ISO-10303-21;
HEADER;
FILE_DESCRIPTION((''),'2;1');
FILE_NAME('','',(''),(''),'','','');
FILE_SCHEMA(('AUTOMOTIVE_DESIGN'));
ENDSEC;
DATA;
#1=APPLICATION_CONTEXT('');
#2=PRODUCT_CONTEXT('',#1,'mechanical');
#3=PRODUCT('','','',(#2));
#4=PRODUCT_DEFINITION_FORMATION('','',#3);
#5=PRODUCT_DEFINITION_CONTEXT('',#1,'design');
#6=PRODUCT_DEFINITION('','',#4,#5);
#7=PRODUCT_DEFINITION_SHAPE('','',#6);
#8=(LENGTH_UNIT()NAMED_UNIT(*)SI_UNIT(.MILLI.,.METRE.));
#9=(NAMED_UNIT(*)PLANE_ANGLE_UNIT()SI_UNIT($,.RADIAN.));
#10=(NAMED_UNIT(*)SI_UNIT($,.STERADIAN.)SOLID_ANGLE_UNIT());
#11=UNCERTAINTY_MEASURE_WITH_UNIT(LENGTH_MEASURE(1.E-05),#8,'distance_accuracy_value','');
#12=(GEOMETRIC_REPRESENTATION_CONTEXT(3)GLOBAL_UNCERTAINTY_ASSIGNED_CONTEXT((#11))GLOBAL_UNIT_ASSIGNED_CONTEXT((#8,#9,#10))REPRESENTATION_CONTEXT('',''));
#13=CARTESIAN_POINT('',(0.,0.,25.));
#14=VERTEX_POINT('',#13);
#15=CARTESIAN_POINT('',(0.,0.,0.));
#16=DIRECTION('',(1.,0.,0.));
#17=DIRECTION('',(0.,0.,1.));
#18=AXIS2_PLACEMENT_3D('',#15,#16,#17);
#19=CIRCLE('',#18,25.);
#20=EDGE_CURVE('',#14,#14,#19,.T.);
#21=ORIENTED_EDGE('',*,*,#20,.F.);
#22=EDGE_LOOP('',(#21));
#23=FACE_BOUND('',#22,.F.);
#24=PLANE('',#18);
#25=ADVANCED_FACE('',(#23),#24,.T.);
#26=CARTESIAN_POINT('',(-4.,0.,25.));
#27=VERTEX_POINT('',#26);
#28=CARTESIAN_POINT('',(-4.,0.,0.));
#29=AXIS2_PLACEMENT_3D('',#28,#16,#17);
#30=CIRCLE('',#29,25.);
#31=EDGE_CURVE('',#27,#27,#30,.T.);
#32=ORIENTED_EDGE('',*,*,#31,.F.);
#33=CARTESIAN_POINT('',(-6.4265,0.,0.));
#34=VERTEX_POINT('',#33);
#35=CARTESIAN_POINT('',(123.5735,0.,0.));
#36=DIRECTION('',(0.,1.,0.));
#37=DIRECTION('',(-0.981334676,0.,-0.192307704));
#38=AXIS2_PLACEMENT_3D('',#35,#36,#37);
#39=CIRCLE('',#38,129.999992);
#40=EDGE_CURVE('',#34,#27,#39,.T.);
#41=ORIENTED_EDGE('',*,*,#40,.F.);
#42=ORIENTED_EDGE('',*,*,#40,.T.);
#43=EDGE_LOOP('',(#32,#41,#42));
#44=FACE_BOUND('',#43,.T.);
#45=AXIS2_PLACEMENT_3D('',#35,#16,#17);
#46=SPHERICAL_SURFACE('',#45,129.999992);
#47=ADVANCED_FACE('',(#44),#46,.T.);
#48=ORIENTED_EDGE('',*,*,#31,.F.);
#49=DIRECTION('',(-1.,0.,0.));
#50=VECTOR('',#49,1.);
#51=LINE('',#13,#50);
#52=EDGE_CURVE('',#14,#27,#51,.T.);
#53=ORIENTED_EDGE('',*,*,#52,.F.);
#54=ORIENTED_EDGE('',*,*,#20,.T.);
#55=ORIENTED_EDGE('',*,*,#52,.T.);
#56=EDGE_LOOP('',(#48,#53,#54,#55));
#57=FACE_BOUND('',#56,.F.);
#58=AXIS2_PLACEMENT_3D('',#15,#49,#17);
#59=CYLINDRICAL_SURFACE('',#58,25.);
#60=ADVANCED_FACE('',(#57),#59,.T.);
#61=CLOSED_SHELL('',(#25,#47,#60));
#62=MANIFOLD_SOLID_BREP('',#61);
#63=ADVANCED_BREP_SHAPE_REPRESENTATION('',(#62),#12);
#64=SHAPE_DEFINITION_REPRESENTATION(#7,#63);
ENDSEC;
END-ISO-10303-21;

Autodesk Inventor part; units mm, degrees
ref_plane "YZ Plane" through (0, 0, 0) normal (1, 0, 0) x (0, 1, 0)
ref_plane "XZ Plane" through (0, 0, 0) normal (0, 1, 0) x (-1, 0, 0)
ref_plane "XY Plane" through (0, 0, 0) normal (0, 0, 1) x (1, 0, 0)
sketch "Sketch1" plane through (0, 0, 0) normal (0, 1, 0) x (-1, 0, 0)
  line L0 (0, 0) -> (0, 25)
  line L1 (0, 25) -> (4, 25)
  arc A0 (4, -25) -> (4, 25) centre (-123.5735, 0) ccw
  line L2 (6.4265, 0) -> (0, 0)
  dimension "d0" = 25
  dimension "d1" = 4
  dimension "d2" = 50
  dimension "d3" = 130
revolve "Revolution1" add sketch "Sketch1" angle 360 about axis through (-6.4265, 0, 0) along (1, 0, 0)
properties part number "Lens" material "Glass"
